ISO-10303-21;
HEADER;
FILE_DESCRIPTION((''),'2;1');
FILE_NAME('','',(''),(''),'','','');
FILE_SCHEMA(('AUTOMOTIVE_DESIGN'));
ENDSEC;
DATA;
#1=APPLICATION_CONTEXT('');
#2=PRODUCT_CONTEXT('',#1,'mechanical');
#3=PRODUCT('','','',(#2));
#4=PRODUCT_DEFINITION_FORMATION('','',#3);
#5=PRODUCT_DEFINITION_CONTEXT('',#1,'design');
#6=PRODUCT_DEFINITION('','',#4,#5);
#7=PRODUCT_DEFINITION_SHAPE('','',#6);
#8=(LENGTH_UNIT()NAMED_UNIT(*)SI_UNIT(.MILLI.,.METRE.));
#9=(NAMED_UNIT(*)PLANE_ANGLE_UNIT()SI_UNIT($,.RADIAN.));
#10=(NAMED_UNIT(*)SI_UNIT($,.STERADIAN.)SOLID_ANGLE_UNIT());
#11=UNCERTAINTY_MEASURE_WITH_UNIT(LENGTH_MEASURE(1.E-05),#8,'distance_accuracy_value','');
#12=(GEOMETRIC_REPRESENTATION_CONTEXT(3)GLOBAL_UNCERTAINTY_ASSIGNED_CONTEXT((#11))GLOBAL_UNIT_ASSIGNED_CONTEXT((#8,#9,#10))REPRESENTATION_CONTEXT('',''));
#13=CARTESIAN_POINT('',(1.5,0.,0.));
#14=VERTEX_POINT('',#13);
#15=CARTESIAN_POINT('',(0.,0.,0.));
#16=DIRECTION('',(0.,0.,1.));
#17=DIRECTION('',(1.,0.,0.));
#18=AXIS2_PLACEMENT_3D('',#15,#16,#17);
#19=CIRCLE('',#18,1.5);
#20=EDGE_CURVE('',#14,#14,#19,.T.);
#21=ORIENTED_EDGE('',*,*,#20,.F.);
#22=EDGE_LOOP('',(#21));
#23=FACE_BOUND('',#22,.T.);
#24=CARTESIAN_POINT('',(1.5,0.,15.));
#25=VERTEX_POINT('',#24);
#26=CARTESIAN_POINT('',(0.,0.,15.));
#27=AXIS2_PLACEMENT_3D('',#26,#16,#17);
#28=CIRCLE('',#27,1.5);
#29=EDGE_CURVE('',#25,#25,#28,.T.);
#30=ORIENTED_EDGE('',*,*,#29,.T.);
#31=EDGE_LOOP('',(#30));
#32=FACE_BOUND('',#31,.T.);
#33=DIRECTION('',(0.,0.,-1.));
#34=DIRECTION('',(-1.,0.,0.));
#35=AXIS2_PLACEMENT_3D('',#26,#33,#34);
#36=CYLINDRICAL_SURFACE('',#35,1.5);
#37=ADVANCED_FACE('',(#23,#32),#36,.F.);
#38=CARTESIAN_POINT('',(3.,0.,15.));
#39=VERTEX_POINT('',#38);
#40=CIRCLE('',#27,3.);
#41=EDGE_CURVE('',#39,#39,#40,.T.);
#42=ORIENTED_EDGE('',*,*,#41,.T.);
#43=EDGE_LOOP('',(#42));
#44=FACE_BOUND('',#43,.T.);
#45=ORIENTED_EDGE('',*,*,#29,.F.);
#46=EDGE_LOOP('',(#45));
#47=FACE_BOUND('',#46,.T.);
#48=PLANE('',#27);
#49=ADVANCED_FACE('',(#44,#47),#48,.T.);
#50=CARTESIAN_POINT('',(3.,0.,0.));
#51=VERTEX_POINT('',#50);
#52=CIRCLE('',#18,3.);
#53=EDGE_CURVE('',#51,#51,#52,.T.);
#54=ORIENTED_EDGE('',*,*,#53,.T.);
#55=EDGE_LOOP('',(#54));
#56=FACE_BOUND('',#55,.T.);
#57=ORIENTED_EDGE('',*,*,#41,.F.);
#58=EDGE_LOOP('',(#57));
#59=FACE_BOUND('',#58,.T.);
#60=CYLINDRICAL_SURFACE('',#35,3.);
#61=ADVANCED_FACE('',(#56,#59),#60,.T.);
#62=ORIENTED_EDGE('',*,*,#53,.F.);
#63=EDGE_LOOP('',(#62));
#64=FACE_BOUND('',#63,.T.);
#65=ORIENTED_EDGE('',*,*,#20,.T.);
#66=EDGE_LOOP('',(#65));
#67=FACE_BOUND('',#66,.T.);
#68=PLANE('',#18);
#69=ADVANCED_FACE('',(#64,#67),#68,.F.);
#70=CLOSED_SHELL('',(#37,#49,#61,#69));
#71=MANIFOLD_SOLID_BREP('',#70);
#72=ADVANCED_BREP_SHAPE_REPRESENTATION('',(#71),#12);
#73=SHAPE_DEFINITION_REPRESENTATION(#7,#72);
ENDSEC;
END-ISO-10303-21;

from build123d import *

# Parameters (mm, degrees)
ESQUISSE1_R   = 3
ESQUISSE1_R_2 = 1.5
MAIN_DEPTH    = 15


with BuildPart() as part:
    # Esquisse1 → Main (new body)
    with BuildSketch(Plane.XY):
        Circle(ESQUISSE1_R)
        Circle(ESQUISSE1_R_2, mode=Mode.SUBTRACT)
    extrude(amount=MAIN_DEPTH)


solid = part.part
